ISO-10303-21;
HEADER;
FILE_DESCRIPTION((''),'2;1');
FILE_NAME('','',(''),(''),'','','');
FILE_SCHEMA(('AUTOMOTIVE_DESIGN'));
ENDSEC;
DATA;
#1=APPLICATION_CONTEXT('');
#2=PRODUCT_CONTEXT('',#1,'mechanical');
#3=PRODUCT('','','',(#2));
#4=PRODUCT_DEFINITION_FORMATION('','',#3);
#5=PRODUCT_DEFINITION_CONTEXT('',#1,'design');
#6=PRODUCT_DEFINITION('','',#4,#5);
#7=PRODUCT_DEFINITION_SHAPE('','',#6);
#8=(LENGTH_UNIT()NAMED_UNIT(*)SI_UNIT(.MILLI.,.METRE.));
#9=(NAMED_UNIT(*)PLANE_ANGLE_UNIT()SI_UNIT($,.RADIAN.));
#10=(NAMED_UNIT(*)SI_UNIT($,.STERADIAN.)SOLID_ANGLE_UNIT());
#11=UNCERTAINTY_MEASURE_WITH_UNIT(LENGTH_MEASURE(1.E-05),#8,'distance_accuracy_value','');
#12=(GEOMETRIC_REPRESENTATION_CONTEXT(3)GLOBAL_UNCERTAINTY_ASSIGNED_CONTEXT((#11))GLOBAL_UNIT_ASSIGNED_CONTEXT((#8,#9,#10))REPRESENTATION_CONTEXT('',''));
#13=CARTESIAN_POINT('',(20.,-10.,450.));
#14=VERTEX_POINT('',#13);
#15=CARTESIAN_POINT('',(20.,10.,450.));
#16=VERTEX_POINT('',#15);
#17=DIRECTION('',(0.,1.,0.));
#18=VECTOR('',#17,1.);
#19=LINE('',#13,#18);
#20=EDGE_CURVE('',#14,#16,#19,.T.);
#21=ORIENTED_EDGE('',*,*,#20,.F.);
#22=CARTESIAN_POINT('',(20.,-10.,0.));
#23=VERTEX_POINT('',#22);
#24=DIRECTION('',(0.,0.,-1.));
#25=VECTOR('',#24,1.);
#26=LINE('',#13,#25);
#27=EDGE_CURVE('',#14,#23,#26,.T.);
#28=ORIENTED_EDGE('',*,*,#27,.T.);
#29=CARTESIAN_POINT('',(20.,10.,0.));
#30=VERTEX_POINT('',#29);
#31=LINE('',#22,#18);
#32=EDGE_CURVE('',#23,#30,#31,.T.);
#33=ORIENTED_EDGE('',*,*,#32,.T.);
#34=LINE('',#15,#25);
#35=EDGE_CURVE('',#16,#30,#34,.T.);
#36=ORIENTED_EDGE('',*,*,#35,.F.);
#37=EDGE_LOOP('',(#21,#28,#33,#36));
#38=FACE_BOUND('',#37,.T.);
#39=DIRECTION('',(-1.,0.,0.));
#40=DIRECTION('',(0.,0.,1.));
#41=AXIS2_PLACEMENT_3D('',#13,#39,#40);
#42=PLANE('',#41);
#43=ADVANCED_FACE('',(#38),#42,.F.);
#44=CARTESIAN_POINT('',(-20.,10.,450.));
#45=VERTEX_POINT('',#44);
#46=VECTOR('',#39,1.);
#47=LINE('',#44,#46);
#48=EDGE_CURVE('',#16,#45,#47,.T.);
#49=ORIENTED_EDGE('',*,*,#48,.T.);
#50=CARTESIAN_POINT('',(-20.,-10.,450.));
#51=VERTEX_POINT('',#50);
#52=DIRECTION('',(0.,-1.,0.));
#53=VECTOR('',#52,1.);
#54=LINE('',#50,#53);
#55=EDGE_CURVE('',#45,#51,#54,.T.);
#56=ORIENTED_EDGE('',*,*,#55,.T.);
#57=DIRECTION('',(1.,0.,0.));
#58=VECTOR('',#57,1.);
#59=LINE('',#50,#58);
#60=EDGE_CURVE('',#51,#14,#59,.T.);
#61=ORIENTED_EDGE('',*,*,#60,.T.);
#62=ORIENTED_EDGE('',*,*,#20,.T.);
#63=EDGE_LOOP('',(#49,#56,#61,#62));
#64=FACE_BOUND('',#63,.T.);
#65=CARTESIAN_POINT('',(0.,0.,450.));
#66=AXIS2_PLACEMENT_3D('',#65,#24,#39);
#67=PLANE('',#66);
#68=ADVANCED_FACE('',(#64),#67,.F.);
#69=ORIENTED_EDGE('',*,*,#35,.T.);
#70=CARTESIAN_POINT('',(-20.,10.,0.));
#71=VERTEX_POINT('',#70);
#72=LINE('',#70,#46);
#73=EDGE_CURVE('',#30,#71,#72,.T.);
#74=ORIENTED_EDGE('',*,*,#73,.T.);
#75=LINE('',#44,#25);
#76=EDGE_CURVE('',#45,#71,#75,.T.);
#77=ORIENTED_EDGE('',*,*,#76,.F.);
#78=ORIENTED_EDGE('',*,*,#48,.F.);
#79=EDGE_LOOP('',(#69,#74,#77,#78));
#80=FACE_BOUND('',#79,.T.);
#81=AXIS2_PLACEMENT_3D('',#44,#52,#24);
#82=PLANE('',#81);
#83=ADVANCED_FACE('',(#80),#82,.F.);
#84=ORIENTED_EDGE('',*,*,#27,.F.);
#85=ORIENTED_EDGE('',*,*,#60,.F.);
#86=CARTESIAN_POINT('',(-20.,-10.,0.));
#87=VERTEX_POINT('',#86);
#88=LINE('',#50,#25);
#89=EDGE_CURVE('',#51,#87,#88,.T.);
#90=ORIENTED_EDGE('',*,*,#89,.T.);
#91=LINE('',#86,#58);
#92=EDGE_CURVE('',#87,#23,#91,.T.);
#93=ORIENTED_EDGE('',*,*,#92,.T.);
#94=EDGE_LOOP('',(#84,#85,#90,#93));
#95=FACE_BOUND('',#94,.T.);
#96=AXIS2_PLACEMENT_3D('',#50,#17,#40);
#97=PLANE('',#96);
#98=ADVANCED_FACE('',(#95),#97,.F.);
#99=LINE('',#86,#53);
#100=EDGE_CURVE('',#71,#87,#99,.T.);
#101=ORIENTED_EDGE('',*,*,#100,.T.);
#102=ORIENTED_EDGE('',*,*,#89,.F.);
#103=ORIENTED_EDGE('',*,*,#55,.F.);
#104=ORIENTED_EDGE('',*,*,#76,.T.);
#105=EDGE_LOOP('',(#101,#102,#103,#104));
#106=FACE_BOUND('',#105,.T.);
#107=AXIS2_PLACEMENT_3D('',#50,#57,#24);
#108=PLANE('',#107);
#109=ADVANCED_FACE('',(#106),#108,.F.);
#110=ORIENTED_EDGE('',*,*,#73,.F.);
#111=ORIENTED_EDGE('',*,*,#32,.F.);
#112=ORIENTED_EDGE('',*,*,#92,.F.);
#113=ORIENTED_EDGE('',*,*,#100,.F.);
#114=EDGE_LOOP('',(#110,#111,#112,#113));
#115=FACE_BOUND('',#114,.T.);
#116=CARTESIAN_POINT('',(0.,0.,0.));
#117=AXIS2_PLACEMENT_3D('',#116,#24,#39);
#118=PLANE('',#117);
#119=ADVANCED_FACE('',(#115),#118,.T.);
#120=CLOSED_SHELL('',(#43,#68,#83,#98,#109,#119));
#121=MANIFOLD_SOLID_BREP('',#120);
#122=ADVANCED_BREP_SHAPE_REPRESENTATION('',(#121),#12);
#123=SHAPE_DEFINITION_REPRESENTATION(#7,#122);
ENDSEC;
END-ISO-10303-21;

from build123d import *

# Parameters (mm, degrees)
SKETCH_1_W      = 40
SKETCH_1_H      = 20
EXTRUDE_1_DEPTH = 450


with BuildPart() as part:
    # 草图1 → 凸台-拉伸1 (new body)
    with BuildSketch(Plane.XY):
        Rectangle(SKETCH_1_W, SKETCH_1_H)
    extrude(amount=EXTRUDE_1_DEPTH)


solid = part.part
